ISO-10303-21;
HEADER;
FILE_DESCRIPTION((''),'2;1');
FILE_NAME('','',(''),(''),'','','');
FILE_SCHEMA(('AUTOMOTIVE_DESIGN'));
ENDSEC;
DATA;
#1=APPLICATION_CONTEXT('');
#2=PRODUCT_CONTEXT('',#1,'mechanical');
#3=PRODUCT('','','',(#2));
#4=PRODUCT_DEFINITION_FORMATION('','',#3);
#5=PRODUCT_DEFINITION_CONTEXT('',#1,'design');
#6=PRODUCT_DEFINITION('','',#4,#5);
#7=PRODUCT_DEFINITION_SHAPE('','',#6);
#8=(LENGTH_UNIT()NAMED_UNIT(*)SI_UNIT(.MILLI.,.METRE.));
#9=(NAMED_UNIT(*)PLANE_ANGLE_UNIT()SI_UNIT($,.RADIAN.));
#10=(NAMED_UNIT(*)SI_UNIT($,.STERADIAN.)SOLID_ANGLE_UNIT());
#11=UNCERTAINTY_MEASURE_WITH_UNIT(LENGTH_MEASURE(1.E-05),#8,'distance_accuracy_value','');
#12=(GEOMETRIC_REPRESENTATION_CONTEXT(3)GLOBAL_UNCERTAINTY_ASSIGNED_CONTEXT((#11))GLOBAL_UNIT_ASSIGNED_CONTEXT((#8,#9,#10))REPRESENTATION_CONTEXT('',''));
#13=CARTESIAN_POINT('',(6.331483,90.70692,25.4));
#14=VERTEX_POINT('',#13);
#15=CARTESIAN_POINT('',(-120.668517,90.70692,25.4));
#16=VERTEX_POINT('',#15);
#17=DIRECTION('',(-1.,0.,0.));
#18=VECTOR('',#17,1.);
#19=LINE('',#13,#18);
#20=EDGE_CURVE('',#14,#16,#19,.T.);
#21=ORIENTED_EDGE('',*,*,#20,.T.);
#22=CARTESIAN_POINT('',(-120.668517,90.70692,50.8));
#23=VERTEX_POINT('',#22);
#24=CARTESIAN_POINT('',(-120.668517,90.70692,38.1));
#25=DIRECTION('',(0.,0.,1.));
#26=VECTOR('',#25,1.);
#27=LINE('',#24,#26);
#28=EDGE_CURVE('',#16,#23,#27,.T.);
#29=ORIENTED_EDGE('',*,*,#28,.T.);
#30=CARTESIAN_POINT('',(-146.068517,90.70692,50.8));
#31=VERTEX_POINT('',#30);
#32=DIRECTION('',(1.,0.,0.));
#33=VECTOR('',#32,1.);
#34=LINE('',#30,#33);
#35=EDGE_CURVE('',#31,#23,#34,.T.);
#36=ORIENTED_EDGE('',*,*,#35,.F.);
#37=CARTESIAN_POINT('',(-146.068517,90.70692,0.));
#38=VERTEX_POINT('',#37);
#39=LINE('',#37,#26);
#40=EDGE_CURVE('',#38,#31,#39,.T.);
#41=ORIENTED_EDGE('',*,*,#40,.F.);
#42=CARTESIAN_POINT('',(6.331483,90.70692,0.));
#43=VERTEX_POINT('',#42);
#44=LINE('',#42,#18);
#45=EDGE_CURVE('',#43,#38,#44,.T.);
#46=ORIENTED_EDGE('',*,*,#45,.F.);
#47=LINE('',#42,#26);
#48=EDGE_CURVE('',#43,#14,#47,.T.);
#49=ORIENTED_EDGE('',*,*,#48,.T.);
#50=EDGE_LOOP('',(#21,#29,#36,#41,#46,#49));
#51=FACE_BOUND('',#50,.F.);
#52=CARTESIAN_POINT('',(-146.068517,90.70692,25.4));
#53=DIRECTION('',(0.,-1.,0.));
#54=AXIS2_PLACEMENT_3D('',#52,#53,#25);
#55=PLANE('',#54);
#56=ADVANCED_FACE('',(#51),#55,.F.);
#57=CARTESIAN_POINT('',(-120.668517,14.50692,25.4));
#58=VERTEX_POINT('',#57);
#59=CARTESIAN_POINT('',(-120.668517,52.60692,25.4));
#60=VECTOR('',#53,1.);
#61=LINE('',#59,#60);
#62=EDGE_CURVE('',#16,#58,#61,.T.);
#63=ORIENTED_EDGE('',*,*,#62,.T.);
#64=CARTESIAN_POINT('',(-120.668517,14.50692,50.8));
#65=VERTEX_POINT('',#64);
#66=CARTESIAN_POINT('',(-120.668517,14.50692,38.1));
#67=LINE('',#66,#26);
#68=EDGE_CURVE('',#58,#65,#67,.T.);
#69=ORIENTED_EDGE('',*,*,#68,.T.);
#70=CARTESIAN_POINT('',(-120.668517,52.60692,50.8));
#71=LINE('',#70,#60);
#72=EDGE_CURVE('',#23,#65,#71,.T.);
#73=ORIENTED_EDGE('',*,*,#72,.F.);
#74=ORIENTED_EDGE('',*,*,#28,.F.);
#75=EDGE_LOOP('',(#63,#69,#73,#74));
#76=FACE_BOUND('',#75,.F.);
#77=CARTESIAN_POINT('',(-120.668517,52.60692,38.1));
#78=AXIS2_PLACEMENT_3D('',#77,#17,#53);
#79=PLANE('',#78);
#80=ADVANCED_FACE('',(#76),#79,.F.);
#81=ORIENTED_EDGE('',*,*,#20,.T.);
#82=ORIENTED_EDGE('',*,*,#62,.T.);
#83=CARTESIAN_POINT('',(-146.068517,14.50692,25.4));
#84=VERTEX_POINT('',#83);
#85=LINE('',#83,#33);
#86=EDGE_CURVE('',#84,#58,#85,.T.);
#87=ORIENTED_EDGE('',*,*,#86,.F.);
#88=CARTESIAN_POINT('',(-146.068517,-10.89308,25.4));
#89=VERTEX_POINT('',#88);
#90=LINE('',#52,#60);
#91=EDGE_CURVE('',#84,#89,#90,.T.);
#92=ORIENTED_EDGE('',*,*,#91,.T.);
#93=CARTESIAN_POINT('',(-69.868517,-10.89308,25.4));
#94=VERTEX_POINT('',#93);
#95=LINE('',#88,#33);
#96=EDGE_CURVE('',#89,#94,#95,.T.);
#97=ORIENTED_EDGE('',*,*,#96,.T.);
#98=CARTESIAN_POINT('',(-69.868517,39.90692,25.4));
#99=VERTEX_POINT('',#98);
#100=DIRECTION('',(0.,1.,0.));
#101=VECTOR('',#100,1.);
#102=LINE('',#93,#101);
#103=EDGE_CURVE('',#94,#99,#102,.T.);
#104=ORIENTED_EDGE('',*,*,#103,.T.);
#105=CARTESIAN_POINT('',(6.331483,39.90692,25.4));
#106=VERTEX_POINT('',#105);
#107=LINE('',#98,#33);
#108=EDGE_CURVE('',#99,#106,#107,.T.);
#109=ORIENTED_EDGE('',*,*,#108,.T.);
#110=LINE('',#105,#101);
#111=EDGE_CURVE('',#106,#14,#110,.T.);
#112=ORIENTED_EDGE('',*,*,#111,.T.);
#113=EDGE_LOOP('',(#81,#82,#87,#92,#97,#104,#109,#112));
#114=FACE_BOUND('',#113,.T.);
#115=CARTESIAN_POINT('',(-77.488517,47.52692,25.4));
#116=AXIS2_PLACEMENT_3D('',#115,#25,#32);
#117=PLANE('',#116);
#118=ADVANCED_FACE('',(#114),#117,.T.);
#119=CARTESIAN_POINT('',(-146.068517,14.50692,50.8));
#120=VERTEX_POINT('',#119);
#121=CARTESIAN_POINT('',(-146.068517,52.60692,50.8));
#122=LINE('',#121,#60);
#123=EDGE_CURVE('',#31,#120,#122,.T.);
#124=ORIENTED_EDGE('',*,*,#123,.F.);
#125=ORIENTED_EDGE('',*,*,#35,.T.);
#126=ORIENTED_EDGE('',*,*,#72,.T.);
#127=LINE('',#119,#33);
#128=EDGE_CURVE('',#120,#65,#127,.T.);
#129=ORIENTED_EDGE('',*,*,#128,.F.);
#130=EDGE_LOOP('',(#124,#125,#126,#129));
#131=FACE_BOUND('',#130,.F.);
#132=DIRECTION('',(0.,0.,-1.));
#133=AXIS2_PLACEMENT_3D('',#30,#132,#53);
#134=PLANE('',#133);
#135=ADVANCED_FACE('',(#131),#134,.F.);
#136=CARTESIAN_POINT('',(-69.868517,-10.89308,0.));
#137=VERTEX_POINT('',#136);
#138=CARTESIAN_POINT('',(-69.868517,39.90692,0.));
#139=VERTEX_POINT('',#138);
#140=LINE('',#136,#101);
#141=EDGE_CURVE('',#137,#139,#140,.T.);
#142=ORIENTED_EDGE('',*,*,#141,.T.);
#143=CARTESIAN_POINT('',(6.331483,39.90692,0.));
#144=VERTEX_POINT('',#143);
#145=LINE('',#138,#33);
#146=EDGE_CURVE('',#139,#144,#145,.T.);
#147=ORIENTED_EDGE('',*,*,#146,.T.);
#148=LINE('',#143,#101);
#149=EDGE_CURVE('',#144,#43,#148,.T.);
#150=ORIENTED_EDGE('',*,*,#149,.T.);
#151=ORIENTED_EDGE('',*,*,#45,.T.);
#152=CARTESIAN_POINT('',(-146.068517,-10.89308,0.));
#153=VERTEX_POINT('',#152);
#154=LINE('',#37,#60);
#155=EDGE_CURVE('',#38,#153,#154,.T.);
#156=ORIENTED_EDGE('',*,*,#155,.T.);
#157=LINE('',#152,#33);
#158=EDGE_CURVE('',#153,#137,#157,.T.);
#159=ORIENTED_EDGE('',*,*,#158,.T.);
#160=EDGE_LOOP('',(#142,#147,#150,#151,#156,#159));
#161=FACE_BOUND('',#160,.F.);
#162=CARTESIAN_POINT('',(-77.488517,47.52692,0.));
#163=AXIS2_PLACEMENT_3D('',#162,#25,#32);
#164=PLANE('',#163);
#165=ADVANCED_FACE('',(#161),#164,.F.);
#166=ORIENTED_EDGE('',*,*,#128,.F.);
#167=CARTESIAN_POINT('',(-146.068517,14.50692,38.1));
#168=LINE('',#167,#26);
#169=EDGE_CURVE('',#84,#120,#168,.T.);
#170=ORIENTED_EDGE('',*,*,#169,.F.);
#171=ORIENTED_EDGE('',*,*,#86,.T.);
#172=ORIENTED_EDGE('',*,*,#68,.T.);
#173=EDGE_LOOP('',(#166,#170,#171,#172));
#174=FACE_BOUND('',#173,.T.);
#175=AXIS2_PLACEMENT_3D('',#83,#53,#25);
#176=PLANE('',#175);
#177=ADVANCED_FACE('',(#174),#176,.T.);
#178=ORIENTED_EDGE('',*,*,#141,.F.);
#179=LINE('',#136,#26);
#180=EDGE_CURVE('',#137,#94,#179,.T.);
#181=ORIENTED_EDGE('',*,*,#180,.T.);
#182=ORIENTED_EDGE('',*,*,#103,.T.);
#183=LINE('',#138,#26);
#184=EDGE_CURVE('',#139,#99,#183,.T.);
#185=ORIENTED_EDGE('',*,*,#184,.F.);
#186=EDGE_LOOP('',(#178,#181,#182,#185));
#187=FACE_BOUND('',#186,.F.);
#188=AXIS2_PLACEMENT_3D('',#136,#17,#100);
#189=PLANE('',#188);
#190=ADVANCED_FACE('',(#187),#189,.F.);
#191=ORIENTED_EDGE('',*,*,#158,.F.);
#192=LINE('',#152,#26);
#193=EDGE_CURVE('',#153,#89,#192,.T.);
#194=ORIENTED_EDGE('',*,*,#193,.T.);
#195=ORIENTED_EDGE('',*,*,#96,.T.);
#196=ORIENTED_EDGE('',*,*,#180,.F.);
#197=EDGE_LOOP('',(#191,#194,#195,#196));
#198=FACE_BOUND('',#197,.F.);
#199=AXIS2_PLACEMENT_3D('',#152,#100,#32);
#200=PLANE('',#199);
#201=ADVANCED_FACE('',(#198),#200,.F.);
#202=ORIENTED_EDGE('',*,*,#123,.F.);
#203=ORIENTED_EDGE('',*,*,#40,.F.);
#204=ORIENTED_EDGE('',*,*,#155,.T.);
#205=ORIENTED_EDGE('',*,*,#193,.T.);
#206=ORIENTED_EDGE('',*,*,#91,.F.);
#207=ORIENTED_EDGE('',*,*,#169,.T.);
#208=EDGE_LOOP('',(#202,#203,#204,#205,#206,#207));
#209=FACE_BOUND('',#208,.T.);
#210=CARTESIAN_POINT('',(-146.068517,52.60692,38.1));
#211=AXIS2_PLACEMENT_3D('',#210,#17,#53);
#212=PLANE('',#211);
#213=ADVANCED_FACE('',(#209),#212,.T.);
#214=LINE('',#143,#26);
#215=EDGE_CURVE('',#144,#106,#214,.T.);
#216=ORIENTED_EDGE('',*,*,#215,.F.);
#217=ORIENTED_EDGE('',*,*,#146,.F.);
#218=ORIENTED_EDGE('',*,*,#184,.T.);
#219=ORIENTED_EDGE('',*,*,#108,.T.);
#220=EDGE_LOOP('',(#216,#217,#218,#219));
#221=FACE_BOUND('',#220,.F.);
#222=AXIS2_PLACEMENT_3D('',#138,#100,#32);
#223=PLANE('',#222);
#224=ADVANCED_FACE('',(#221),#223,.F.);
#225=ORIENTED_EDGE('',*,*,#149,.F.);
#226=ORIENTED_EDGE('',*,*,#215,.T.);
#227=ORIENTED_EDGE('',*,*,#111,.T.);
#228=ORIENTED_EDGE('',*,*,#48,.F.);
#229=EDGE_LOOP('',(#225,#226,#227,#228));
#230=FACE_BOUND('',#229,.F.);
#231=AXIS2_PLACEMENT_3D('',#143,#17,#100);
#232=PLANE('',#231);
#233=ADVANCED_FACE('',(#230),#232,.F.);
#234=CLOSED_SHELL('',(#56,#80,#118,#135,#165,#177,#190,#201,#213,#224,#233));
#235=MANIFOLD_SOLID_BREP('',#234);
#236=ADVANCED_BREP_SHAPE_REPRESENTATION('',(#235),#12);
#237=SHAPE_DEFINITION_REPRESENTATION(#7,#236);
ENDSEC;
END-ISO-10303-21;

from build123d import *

# Parameters (mm, degrees)
F1_DEPTH = 25.4
F2_W     = 76.2
F2_H     = 25.4
F3_DEPTH = 25.4


with BuildPart() as f1:
    # F0 (on Top) → F1 (new body)
    with BuildSketch(Plane.XY):
        Polygon((6.331483, 90.70692), (-146.068517, 90.70692), (-146.068517, -10.89308), (-69.868517, -10.89308), (-69.868517, 39.90692), (6.331483, 39.90692), align=None)
    extrude(amount=F1_DEPTH)

    # F2 (on face) → F3 (join)
    with BuildSketch(Plane(origin=(-146.068517, 0, 0), x_dir=(0, -1, 0), z_dir=(-1, 0, 0))):
        with Locations((-52.60692, 38.1)):
            Rectangle(F2_W, F2_H)
    extrude(amount=-F3_DEPTH)


solid = f1.part
